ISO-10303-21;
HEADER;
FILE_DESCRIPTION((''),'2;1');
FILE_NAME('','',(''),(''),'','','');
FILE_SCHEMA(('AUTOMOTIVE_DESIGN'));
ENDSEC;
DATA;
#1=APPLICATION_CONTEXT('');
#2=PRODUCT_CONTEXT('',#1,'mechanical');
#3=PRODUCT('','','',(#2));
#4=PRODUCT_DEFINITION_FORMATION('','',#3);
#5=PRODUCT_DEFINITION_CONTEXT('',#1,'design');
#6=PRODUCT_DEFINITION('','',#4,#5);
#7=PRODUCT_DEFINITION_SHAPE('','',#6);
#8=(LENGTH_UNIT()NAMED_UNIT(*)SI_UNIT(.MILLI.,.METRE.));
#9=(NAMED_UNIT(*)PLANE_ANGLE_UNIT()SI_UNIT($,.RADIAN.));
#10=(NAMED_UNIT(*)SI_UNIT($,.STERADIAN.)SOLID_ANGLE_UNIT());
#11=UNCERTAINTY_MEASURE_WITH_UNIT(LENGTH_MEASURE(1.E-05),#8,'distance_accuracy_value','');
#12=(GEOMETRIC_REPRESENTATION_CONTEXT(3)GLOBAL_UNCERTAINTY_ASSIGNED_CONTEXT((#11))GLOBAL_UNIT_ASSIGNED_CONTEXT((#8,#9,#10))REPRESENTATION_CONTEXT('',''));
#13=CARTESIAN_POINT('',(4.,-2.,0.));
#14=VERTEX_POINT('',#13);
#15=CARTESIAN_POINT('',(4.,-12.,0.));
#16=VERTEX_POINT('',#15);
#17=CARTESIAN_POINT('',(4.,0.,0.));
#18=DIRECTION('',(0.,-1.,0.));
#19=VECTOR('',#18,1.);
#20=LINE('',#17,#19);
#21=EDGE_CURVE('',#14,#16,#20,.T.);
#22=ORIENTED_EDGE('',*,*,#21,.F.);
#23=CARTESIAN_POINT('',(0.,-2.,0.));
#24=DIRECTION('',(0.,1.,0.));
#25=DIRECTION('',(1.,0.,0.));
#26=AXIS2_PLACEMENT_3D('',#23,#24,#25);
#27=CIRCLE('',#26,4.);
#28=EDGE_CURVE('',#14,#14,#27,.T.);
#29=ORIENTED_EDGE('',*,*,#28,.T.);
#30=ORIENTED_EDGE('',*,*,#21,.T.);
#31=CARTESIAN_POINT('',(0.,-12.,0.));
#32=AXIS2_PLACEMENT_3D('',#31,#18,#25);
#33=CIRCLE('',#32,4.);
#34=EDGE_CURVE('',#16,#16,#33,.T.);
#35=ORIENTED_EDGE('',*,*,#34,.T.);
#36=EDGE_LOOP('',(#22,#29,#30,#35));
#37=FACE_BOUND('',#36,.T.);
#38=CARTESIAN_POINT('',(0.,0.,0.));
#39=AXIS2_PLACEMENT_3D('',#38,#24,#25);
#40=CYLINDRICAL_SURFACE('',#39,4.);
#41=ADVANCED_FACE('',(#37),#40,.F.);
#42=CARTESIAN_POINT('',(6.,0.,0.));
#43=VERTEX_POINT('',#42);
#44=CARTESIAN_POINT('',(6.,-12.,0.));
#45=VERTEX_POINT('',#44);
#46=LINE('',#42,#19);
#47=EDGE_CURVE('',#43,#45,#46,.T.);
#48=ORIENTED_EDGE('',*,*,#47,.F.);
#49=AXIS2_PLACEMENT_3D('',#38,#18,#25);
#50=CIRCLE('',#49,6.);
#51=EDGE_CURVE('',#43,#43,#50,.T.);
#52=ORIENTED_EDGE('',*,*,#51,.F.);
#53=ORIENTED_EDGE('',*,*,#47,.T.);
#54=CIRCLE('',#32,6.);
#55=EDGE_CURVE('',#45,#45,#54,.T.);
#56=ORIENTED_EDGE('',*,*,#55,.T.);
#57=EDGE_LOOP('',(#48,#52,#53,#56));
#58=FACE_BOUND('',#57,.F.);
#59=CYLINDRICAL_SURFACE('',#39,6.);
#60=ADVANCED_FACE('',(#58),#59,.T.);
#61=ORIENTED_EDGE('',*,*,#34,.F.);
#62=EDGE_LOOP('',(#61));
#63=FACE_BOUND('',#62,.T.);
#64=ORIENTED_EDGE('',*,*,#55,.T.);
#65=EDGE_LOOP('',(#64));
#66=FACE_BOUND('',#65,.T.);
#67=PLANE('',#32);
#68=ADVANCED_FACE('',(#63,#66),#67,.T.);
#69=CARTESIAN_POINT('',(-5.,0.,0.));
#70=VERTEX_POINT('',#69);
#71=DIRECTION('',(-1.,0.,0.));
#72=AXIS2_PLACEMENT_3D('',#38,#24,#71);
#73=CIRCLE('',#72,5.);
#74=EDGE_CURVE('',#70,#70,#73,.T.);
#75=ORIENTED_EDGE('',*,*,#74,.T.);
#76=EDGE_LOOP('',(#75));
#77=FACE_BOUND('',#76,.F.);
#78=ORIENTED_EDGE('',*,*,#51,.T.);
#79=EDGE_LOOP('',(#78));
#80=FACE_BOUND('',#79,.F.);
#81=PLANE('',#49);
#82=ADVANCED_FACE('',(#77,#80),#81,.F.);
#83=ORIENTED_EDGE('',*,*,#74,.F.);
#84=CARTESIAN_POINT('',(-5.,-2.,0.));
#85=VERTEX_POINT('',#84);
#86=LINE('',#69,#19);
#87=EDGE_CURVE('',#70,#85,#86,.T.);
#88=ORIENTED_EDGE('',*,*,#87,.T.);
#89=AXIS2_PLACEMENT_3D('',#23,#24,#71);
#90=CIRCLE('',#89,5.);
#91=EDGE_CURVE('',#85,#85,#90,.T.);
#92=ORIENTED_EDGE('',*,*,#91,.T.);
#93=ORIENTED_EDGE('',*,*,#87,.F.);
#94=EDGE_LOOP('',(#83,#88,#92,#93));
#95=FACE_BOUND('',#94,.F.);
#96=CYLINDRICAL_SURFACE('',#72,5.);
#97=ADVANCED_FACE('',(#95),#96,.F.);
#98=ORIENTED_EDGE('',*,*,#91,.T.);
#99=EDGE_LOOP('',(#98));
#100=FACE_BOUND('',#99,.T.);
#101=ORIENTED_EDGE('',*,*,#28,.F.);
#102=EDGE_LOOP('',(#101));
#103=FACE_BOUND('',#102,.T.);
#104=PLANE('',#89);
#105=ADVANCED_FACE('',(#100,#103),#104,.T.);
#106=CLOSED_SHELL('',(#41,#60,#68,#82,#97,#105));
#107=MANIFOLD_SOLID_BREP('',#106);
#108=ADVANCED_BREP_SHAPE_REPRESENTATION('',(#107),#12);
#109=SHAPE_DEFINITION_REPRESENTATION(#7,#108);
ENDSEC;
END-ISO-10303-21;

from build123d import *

# Parameters (mm, degrees)
F0_R     = 6
F0_R_2   = 4
F1_DEPTH = 12
F2_R     = 5
F3_DEPTH = 2


with BuildPart() as f1:
    # F0 (on Front) → F1 (new body)
    with BuildSketch(Plane.XZ):
        Circle(F0_R)
        Circle(F0_R_2, mode=Mode.SUBTRACT)
    extrude(amount=F1_DEPTH)

    # F2 (on face) → F3 (cut)
    with BuildSketch(Plane(origin=(0, 0, 0), x_dir=(-1, 0, 0), z_dir=(0, 1, 0))):
        Circle(F2_R)
    extrude(amount=-F3_DEPTH, mode=Mode.SUBTRACT)


solid = f1.part
